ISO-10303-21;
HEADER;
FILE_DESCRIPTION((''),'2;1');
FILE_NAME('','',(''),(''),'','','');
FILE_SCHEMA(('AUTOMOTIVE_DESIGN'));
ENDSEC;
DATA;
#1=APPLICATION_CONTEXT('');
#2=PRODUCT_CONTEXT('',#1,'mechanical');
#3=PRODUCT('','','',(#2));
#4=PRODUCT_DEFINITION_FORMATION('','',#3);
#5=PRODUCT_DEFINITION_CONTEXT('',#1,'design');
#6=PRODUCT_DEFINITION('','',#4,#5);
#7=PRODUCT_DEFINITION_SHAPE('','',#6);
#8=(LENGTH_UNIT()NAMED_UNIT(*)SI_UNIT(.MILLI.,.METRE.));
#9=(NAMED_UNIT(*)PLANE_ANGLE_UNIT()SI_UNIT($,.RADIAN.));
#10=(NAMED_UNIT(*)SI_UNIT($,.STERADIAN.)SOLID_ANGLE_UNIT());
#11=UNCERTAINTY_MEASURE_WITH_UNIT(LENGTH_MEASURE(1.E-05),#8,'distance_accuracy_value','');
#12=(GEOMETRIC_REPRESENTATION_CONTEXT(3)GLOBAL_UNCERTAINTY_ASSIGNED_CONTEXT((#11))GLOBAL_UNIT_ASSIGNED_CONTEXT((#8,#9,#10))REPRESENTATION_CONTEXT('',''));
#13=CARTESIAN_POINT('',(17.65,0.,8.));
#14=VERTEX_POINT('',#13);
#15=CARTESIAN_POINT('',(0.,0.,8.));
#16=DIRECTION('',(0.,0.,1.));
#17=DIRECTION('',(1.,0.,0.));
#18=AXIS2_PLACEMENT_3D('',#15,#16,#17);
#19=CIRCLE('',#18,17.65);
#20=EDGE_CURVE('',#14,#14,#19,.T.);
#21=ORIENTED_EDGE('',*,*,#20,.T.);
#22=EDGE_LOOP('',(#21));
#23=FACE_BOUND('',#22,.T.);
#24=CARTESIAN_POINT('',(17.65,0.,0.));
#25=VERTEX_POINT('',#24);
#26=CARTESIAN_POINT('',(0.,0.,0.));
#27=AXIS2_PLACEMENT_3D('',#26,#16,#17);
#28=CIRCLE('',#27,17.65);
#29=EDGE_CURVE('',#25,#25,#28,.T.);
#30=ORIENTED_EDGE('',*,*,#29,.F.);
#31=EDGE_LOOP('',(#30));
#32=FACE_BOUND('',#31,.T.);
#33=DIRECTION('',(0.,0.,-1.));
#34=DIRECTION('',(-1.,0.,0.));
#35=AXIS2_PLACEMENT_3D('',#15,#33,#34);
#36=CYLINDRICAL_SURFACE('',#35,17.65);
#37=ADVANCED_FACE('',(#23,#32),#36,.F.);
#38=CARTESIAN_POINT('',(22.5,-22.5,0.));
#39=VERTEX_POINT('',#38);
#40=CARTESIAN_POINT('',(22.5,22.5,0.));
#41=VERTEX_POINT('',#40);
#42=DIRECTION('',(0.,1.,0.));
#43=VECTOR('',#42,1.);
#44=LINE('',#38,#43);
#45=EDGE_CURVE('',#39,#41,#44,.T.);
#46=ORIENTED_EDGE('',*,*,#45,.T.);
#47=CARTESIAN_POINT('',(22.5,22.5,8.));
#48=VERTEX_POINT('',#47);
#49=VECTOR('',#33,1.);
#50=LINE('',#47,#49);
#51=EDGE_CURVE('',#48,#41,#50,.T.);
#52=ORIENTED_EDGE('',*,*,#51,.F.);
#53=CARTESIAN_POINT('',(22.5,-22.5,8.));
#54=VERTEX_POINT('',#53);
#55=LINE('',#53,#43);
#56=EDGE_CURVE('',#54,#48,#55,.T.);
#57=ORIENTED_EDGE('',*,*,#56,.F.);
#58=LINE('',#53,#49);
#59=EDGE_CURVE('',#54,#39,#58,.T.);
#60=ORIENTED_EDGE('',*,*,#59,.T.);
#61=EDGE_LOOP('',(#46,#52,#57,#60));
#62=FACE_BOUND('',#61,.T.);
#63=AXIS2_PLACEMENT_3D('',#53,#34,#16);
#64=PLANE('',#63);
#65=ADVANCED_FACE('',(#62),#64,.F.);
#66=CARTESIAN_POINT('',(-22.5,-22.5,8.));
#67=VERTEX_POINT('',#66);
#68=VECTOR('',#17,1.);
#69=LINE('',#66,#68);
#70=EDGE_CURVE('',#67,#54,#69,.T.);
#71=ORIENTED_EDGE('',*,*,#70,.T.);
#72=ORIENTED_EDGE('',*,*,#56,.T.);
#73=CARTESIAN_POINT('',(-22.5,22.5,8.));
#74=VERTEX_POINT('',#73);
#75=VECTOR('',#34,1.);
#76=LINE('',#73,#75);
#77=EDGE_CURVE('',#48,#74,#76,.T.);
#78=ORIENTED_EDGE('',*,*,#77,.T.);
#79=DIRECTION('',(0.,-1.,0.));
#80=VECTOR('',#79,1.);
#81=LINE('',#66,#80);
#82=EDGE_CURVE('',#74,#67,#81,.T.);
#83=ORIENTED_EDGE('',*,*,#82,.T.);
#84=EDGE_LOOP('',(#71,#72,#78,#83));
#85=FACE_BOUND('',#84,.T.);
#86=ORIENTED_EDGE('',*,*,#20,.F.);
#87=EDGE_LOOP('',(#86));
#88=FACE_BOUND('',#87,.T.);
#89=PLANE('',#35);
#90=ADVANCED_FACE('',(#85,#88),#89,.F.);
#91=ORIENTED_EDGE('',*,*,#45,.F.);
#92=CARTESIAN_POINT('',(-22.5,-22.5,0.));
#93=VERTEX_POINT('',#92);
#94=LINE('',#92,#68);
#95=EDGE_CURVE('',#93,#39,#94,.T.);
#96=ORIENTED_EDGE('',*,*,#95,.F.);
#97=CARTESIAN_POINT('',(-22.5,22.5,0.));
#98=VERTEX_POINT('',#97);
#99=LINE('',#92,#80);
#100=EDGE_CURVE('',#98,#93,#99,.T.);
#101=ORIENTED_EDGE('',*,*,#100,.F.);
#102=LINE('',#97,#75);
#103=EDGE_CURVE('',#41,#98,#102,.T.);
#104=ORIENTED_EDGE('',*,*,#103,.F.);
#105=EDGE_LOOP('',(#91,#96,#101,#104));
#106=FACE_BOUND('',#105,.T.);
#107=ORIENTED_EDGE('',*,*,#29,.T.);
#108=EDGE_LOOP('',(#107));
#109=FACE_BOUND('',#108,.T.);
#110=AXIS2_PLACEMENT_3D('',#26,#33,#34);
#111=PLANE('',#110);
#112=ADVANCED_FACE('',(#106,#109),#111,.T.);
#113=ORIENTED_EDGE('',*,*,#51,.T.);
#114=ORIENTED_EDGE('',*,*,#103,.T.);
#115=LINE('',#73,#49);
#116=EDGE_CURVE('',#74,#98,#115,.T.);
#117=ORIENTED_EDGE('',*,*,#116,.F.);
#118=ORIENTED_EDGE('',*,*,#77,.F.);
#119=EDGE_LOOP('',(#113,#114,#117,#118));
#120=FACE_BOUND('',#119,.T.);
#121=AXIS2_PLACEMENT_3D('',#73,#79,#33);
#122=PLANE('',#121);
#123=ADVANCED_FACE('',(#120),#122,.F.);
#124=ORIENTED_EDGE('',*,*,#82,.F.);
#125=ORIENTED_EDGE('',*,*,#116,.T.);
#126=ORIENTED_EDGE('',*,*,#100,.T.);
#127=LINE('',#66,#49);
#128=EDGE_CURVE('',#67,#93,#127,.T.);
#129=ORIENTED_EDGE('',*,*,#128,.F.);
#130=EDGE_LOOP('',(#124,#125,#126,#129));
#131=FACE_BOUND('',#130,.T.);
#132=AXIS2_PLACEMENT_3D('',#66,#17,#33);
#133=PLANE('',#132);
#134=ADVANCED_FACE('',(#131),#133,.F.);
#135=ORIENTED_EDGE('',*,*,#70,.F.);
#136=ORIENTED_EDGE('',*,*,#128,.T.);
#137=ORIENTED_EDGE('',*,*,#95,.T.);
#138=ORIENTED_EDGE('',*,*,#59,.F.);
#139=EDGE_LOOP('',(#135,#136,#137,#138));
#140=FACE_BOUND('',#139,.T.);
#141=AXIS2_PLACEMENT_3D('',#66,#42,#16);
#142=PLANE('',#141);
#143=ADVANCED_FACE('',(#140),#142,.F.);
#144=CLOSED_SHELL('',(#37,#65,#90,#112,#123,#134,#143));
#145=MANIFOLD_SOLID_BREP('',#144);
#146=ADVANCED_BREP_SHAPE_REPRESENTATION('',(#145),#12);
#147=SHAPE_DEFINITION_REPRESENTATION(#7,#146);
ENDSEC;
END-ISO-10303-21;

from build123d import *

# Parameters (mm, degrees)
SKETCH1_W           = 45
SKETCH1_H           = 45
SKETCH1_R           = 17.65
BOSS_EXTRUDE1_DEPTH = 8


with BuildPart() as part:
    # Sketch1 → Boss-Extrude1 (new body)
    with BuildSketch(Plane.XY):
        Rectangle(SKETCH1_W, SKETCH1_H)
        Circle(SKETCH1_R, mode=Mode.SUBTRACT)
    extrude(amount=BOSS_EXTRUDE1_DEPTH)


solid = part.part
